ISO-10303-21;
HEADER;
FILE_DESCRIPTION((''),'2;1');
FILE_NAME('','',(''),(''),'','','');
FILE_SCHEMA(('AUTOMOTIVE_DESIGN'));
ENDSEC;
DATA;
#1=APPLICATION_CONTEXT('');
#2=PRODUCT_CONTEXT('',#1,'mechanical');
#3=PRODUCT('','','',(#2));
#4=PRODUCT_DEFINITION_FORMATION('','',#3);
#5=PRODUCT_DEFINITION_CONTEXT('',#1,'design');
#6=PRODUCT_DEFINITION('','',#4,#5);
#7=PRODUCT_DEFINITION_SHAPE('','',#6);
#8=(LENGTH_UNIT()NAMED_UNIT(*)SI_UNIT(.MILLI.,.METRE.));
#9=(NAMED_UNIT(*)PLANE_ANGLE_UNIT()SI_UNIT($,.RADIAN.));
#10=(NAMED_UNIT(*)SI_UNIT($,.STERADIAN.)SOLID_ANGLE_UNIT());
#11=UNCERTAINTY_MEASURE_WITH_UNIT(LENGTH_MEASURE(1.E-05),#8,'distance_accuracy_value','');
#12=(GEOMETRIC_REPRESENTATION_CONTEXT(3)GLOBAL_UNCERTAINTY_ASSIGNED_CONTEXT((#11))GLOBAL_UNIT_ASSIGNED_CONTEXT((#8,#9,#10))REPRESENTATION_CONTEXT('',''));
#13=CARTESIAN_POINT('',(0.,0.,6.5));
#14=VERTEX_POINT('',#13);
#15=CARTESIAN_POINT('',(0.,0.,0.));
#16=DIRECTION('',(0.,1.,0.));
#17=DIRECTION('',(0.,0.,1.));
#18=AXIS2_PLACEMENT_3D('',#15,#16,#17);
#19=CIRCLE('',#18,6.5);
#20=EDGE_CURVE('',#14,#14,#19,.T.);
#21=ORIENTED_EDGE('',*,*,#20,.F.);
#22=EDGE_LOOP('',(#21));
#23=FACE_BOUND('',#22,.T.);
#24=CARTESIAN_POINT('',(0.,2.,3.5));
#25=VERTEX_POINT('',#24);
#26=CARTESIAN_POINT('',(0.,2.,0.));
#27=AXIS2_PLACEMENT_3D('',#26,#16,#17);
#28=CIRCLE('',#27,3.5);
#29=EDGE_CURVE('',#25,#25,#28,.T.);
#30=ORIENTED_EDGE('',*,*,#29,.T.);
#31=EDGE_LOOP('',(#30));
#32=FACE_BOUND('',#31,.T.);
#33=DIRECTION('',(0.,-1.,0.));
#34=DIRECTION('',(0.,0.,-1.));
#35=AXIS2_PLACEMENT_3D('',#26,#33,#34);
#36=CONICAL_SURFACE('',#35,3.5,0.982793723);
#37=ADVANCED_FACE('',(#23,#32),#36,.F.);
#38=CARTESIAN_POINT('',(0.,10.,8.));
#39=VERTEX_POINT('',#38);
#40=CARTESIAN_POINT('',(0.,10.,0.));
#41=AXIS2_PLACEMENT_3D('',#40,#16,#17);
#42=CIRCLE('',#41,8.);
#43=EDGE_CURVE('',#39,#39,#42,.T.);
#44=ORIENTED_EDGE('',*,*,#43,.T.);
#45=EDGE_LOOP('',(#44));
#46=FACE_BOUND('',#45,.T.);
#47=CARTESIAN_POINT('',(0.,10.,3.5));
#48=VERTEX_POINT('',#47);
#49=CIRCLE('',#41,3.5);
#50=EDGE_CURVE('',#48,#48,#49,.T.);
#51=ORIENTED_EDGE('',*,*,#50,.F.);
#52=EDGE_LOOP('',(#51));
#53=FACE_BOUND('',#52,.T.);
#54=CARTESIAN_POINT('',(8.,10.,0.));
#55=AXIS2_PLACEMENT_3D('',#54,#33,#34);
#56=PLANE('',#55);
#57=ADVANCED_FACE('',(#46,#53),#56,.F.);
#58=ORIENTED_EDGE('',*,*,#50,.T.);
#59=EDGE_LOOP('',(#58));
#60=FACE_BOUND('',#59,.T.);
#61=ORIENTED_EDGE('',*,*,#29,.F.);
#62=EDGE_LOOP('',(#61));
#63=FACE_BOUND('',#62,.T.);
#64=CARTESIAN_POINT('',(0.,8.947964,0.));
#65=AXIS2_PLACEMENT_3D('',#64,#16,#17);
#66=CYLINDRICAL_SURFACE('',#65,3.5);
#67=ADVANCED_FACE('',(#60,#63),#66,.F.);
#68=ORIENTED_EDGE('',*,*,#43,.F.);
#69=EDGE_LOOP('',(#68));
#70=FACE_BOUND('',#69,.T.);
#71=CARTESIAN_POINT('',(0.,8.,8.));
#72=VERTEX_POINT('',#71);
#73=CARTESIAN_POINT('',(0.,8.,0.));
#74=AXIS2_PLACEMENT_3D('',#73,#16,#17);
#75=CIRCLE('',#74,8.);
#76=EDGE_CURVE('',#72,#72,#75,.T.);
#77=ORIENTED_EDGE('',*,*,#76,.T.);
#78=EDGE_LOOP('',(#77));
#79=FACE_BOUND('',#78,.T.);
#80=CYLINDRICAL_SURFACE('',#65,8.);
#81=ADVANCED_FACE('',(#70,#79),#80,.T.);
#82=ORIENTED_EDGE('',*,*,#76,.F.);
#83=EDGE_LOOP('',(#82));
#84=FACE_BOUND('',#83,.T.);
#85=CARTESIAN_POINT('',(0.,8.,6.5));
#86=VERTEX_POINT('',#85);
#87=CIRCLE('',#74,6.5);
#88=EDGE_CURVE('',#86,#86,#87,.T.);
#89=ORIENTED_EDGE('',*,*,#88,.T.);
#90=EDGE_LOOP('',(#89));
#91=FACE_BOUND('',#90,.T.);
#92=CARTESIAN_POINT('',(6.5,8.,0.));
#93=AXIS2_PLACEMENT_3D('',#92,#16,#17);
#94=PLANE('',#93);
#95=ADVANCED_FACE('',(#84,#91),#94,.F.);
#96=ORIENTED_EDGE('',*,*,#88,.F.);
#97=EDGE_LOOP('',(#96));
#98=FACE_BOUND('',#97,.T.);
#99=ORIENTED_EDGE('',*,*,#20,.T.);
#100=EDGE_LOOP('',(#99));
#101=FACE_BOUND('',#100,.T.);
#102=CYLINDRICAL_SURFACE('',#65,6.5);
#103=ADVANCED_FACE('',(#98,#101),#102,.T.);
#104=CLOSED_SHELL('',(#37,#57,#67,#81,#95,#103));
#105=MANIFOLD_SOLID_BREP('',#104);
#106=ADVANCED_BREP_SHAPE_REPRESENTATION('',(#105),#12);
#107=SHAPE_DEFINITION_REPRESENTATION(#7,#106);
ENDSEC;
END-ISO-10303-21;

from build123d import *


with BuildPart() as part:
    # Sketch1 → Revolve1 (revolve)
    with BuildSketch(Plane.XY, mode=Mode.PRIVATE) as revolve1_sk:
        Polygon((6.5, 0), (6.5, 8), (8, 8), (8, 10), (3.5, 10), (3.5, 2), align=None)
    revolve(revolve1_sk.sketch.rotate(Axis((0, 8.947963801, 0), (0, -1, 0)), 90), axis=Axis((0, 8.947963801, 0), (0, -1, 0)))


solid = part.part
